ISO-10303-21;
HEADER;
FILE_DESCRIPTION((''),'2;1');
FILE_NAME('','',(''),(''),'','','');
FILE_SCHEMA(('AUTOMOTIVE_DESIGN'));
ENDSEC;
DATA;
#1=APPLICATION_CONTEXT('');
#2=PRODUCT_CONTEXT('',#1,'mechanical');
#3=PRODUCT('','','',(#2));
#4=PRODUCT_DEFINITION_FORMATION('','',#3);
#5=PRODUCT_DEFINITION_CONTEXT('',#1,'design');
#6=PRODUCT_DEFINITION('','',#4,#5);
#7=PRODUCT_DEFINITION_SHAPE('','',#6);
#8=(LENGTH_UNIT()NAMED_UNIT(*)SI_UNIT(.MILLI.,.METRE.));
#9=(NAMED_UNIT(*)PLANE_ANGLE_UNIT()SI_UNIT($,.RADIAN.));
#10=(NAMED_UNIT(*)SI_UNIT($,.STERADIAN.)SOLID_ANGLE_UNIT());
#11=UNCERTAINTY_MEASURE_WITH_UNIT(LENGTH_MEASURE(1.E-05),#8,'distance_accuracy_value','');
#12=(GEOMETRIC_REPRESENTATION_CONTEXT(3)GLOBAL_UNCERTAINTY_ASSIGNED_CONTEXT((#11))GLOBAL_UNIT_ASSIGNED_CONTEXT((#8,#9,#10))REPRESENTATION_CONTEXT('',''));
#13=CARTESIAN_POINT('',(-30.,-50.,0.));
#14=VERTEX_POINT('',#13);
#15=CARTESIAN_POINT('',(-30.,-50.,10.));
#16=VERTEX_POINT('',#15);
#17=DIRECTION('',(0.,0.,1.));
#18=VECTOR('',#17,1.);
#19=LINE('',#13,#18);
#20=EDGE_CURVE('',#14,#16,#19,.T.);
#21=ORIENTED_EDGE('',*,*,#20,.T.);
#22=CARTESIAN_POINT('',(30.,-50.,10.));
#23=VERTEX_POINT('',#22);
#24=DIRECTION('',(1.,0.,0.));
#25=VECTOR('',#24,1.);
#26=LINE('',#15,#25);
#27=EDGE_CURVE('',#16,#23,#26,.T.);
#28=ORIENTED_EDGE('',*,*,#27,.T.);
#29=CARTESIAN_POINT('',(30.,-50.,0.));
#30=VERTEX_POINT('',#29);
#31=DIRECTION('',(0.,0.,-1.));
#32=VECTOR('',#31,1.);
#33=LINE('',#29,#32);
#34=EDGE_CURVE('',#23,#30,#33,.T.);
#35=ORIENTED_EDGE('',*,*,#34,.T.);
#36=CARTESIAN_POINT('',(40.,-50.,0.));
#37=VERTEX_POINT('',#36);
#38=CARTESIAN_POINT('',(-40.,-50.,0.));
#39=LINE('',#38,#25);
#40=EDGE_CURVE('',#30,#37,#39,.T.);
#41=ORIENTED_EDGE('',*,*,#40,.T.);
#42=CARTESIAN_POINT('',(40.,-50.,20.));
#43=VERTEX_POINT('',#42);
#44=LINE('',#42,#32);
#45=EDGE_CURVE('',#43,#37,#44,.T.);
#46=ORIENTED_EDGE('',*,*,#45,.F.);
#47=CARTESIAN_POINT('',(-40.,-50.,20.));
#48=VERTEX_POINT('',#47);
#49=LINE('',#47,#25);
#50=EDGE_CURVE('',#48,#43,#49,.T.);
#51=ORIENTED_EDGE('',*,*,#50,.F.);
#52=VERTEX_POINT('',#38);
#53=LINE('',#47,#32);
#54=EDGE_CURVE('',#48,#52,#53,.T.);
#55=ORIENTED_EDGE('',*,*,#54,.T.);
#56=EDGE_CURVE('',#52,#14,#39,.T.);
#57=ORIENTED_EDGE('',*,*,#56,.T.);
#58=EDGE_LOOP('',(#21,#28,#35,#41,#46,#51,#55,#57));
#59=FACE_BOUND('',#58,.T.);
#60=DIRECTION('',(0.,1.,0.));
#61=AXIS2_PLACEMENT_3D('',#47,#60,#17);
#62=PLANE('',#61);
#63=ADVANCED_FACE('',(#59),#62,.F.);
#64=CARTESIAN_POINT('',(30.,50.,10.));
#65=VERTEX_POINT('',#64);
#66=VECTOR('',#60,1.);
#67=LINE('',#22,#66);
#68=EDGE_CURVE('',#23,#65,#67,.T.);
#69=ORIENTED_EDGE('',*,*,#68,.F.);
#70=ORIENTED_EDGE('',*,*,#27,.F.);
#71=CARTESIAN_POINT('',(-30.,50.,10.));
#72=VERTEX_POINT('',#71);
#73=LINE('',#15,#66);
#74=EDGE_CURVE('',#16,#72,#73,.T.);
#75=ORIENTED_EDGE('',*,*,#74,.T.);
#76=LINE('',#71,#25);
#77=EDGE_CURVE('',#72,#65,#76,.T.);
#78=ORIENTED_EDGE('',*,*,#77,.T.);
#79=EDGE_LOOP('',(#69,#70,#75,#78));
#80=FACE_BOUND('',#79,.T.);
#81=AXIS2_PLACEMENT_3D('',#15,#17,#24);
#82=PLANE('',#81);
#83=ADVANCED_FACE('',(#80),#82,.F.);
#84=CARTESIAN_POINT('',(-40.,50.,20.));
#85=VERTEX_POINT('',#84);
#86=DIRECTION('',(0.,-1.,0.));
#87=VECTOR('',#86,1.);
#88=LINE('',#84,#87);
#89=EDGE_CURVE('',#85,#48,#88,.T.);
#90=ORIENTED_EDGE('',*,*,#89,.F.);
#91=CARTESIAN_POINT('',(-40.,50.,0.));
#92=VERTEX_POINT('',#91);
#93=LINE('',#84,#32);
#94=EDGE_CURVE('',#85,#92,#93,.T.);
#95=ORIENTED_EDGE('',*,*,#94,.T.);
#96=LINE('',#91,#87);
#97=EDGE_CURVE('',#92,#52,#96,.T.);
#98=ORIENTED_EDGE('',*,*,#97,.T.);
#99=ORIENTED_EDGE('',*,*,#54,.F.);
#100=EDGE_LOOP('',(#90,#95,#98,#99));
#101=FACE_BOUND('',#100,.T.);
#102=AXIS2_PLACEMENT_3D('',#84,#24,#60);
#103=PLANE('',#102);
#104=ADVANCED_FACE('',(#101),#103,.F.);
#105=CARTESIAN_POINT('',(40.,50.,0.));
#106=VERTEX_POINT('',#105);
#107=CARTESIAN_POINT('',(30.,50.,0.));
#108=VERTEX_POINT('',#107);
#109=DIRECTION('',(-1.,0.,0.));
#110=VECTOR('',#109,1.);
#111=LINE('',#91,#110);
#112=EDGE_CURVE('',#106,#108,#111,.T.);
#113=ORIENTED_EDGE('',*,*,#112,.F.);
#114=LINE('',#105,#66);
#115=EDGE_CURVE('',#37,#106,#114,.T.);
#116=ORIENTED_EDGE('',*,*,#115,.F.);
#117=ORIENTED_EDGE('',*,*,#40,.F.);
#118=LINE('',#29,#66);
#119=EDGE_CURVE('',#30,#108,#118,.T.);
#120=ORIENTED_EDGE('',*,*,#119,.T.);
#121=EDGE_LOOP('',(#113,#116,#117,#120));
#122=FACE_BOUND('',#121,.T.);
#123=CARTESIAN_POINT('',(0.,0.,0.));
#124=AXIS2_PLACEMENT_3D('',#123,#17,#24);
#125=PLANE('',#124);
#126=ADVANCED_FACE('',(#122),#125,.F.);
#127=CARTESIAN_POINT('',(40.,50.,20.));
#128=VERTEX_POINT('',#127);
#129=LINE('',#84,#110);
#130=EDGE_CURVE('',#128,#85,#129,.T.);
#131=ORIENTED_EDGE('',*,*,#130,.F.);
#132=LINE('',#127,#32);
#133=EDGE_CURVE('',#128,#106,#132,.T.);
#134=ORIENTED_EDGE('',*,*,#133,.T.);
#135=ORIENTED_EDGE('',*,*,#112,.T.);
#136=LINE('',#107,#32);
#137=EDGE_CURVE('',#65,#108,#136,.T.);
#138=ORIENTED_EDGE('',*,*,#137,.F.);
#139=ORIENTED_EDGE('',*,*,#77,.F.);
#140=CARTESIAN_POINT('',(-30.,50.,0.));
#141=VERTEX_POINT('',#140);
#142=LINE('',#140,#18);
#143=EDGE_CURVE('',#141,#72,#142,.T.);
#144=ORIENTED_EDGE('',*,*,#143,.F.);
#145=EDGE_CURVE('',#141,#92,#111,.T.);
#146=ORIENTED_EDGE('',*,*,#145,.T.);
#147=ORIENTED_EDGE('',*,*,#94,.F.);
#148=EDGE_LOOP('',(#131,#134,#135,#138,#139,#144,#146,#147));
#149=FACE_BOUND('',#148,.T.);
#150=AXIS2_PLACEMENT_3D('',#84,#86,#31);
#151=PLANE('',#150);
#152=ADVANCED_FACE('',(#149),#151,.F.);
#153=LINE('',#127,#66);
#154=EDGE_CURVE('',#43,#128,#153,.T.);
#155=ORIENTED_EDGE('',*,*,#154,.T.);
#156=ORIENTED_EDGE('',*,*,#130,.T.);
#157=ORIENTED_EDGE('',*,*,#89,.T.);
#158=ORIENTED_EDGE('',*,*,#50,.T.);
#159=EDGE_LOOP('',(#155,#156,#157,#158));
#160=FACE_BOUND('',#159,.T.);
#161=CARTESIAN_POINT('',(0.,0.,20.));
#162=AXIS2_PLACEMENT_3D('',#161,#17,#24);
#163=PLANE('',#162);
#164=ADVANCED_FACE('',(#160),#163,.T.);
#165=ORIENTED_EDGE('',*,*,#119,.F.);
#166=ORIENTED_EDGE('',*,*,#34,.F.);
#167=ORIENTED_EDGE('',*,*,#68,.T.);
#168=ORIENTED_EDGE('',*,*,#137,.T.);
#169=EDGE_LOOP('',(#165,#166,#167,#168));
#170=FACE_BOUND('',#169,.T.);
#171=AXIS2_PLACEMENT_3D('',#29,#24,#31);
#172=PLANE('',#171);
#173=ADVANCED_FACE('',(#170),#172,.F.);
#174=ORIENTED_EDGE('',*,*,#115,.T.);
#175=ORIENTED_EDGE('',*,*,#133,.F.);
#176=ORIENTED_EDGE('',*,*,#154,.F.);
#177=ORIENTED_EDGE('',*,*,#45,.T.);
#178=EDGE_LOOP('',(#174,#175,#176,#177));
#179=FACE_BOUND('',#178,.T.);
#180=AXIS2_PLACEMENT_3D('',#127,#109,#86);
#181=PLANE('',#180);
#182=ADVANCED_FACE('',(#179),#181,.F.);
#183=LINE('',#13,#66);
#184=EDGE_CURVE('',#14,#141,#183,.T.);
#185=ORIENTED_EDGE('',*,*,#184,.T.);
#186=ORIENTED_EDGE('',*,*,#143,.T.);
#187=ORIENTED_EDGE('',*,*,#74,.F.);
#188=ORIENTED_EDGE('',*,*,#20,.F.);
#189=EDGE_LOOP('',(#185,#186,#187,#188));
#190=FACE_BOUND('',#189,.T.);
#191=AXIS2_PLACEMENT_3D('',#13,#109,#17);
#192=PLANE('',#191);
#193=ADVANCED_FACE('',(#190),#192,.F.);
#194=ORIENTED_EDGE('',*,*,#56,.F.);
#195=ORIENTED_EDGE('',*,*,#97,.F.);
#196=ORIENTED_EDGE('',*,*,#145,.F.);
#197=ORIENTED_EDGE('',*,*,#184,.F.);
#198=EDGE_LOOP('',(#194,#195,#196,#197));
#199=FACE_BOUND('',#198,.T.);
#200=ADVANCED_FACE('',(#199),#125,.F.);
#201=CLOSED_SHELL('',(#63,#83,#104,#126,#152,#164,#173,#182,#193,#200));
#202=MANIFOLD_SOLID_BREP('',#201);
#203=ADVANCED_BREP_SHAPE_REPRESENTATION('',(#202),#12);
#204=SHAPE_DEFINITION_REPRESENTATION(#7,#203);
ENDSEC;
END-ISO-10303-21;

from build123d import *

# Parameters (mm, degrees)
SKETCH1_W           = 80
SKETCH1_H           = 100
BOSS_EXTRUDE1_DEPTH = 20
SKETCH2_W           = 60
SKETCH2_H           = 10
CUT_EXTRUDE1_DEPTH  = 100


with BuildPart() as part:
    # Sketch1 → Boss-Extrude1 (new body)
    with BuildSketch(Plane.XY):
        Rectangle(SKETCH1_W, SKETCH1_H)
    extrude(amount=BOSS_EXTRUDE1_DEPTH)

    # Sketch2 → Cut-Extrude1 (cut)
    with BuildSketch(Plane(origin=(0, 50, 0), x_dir=(1, 0, 0), z_dir=(0, 1, 0))):
        with Locations((0, -5)):
            Rectangle(SKETCH2_W, SKETCH2_H)
    extrude(amount=-CUT_EXTRUDE1_DEPTH, mode=Mode.SUBTRACT)


solid = part.part
